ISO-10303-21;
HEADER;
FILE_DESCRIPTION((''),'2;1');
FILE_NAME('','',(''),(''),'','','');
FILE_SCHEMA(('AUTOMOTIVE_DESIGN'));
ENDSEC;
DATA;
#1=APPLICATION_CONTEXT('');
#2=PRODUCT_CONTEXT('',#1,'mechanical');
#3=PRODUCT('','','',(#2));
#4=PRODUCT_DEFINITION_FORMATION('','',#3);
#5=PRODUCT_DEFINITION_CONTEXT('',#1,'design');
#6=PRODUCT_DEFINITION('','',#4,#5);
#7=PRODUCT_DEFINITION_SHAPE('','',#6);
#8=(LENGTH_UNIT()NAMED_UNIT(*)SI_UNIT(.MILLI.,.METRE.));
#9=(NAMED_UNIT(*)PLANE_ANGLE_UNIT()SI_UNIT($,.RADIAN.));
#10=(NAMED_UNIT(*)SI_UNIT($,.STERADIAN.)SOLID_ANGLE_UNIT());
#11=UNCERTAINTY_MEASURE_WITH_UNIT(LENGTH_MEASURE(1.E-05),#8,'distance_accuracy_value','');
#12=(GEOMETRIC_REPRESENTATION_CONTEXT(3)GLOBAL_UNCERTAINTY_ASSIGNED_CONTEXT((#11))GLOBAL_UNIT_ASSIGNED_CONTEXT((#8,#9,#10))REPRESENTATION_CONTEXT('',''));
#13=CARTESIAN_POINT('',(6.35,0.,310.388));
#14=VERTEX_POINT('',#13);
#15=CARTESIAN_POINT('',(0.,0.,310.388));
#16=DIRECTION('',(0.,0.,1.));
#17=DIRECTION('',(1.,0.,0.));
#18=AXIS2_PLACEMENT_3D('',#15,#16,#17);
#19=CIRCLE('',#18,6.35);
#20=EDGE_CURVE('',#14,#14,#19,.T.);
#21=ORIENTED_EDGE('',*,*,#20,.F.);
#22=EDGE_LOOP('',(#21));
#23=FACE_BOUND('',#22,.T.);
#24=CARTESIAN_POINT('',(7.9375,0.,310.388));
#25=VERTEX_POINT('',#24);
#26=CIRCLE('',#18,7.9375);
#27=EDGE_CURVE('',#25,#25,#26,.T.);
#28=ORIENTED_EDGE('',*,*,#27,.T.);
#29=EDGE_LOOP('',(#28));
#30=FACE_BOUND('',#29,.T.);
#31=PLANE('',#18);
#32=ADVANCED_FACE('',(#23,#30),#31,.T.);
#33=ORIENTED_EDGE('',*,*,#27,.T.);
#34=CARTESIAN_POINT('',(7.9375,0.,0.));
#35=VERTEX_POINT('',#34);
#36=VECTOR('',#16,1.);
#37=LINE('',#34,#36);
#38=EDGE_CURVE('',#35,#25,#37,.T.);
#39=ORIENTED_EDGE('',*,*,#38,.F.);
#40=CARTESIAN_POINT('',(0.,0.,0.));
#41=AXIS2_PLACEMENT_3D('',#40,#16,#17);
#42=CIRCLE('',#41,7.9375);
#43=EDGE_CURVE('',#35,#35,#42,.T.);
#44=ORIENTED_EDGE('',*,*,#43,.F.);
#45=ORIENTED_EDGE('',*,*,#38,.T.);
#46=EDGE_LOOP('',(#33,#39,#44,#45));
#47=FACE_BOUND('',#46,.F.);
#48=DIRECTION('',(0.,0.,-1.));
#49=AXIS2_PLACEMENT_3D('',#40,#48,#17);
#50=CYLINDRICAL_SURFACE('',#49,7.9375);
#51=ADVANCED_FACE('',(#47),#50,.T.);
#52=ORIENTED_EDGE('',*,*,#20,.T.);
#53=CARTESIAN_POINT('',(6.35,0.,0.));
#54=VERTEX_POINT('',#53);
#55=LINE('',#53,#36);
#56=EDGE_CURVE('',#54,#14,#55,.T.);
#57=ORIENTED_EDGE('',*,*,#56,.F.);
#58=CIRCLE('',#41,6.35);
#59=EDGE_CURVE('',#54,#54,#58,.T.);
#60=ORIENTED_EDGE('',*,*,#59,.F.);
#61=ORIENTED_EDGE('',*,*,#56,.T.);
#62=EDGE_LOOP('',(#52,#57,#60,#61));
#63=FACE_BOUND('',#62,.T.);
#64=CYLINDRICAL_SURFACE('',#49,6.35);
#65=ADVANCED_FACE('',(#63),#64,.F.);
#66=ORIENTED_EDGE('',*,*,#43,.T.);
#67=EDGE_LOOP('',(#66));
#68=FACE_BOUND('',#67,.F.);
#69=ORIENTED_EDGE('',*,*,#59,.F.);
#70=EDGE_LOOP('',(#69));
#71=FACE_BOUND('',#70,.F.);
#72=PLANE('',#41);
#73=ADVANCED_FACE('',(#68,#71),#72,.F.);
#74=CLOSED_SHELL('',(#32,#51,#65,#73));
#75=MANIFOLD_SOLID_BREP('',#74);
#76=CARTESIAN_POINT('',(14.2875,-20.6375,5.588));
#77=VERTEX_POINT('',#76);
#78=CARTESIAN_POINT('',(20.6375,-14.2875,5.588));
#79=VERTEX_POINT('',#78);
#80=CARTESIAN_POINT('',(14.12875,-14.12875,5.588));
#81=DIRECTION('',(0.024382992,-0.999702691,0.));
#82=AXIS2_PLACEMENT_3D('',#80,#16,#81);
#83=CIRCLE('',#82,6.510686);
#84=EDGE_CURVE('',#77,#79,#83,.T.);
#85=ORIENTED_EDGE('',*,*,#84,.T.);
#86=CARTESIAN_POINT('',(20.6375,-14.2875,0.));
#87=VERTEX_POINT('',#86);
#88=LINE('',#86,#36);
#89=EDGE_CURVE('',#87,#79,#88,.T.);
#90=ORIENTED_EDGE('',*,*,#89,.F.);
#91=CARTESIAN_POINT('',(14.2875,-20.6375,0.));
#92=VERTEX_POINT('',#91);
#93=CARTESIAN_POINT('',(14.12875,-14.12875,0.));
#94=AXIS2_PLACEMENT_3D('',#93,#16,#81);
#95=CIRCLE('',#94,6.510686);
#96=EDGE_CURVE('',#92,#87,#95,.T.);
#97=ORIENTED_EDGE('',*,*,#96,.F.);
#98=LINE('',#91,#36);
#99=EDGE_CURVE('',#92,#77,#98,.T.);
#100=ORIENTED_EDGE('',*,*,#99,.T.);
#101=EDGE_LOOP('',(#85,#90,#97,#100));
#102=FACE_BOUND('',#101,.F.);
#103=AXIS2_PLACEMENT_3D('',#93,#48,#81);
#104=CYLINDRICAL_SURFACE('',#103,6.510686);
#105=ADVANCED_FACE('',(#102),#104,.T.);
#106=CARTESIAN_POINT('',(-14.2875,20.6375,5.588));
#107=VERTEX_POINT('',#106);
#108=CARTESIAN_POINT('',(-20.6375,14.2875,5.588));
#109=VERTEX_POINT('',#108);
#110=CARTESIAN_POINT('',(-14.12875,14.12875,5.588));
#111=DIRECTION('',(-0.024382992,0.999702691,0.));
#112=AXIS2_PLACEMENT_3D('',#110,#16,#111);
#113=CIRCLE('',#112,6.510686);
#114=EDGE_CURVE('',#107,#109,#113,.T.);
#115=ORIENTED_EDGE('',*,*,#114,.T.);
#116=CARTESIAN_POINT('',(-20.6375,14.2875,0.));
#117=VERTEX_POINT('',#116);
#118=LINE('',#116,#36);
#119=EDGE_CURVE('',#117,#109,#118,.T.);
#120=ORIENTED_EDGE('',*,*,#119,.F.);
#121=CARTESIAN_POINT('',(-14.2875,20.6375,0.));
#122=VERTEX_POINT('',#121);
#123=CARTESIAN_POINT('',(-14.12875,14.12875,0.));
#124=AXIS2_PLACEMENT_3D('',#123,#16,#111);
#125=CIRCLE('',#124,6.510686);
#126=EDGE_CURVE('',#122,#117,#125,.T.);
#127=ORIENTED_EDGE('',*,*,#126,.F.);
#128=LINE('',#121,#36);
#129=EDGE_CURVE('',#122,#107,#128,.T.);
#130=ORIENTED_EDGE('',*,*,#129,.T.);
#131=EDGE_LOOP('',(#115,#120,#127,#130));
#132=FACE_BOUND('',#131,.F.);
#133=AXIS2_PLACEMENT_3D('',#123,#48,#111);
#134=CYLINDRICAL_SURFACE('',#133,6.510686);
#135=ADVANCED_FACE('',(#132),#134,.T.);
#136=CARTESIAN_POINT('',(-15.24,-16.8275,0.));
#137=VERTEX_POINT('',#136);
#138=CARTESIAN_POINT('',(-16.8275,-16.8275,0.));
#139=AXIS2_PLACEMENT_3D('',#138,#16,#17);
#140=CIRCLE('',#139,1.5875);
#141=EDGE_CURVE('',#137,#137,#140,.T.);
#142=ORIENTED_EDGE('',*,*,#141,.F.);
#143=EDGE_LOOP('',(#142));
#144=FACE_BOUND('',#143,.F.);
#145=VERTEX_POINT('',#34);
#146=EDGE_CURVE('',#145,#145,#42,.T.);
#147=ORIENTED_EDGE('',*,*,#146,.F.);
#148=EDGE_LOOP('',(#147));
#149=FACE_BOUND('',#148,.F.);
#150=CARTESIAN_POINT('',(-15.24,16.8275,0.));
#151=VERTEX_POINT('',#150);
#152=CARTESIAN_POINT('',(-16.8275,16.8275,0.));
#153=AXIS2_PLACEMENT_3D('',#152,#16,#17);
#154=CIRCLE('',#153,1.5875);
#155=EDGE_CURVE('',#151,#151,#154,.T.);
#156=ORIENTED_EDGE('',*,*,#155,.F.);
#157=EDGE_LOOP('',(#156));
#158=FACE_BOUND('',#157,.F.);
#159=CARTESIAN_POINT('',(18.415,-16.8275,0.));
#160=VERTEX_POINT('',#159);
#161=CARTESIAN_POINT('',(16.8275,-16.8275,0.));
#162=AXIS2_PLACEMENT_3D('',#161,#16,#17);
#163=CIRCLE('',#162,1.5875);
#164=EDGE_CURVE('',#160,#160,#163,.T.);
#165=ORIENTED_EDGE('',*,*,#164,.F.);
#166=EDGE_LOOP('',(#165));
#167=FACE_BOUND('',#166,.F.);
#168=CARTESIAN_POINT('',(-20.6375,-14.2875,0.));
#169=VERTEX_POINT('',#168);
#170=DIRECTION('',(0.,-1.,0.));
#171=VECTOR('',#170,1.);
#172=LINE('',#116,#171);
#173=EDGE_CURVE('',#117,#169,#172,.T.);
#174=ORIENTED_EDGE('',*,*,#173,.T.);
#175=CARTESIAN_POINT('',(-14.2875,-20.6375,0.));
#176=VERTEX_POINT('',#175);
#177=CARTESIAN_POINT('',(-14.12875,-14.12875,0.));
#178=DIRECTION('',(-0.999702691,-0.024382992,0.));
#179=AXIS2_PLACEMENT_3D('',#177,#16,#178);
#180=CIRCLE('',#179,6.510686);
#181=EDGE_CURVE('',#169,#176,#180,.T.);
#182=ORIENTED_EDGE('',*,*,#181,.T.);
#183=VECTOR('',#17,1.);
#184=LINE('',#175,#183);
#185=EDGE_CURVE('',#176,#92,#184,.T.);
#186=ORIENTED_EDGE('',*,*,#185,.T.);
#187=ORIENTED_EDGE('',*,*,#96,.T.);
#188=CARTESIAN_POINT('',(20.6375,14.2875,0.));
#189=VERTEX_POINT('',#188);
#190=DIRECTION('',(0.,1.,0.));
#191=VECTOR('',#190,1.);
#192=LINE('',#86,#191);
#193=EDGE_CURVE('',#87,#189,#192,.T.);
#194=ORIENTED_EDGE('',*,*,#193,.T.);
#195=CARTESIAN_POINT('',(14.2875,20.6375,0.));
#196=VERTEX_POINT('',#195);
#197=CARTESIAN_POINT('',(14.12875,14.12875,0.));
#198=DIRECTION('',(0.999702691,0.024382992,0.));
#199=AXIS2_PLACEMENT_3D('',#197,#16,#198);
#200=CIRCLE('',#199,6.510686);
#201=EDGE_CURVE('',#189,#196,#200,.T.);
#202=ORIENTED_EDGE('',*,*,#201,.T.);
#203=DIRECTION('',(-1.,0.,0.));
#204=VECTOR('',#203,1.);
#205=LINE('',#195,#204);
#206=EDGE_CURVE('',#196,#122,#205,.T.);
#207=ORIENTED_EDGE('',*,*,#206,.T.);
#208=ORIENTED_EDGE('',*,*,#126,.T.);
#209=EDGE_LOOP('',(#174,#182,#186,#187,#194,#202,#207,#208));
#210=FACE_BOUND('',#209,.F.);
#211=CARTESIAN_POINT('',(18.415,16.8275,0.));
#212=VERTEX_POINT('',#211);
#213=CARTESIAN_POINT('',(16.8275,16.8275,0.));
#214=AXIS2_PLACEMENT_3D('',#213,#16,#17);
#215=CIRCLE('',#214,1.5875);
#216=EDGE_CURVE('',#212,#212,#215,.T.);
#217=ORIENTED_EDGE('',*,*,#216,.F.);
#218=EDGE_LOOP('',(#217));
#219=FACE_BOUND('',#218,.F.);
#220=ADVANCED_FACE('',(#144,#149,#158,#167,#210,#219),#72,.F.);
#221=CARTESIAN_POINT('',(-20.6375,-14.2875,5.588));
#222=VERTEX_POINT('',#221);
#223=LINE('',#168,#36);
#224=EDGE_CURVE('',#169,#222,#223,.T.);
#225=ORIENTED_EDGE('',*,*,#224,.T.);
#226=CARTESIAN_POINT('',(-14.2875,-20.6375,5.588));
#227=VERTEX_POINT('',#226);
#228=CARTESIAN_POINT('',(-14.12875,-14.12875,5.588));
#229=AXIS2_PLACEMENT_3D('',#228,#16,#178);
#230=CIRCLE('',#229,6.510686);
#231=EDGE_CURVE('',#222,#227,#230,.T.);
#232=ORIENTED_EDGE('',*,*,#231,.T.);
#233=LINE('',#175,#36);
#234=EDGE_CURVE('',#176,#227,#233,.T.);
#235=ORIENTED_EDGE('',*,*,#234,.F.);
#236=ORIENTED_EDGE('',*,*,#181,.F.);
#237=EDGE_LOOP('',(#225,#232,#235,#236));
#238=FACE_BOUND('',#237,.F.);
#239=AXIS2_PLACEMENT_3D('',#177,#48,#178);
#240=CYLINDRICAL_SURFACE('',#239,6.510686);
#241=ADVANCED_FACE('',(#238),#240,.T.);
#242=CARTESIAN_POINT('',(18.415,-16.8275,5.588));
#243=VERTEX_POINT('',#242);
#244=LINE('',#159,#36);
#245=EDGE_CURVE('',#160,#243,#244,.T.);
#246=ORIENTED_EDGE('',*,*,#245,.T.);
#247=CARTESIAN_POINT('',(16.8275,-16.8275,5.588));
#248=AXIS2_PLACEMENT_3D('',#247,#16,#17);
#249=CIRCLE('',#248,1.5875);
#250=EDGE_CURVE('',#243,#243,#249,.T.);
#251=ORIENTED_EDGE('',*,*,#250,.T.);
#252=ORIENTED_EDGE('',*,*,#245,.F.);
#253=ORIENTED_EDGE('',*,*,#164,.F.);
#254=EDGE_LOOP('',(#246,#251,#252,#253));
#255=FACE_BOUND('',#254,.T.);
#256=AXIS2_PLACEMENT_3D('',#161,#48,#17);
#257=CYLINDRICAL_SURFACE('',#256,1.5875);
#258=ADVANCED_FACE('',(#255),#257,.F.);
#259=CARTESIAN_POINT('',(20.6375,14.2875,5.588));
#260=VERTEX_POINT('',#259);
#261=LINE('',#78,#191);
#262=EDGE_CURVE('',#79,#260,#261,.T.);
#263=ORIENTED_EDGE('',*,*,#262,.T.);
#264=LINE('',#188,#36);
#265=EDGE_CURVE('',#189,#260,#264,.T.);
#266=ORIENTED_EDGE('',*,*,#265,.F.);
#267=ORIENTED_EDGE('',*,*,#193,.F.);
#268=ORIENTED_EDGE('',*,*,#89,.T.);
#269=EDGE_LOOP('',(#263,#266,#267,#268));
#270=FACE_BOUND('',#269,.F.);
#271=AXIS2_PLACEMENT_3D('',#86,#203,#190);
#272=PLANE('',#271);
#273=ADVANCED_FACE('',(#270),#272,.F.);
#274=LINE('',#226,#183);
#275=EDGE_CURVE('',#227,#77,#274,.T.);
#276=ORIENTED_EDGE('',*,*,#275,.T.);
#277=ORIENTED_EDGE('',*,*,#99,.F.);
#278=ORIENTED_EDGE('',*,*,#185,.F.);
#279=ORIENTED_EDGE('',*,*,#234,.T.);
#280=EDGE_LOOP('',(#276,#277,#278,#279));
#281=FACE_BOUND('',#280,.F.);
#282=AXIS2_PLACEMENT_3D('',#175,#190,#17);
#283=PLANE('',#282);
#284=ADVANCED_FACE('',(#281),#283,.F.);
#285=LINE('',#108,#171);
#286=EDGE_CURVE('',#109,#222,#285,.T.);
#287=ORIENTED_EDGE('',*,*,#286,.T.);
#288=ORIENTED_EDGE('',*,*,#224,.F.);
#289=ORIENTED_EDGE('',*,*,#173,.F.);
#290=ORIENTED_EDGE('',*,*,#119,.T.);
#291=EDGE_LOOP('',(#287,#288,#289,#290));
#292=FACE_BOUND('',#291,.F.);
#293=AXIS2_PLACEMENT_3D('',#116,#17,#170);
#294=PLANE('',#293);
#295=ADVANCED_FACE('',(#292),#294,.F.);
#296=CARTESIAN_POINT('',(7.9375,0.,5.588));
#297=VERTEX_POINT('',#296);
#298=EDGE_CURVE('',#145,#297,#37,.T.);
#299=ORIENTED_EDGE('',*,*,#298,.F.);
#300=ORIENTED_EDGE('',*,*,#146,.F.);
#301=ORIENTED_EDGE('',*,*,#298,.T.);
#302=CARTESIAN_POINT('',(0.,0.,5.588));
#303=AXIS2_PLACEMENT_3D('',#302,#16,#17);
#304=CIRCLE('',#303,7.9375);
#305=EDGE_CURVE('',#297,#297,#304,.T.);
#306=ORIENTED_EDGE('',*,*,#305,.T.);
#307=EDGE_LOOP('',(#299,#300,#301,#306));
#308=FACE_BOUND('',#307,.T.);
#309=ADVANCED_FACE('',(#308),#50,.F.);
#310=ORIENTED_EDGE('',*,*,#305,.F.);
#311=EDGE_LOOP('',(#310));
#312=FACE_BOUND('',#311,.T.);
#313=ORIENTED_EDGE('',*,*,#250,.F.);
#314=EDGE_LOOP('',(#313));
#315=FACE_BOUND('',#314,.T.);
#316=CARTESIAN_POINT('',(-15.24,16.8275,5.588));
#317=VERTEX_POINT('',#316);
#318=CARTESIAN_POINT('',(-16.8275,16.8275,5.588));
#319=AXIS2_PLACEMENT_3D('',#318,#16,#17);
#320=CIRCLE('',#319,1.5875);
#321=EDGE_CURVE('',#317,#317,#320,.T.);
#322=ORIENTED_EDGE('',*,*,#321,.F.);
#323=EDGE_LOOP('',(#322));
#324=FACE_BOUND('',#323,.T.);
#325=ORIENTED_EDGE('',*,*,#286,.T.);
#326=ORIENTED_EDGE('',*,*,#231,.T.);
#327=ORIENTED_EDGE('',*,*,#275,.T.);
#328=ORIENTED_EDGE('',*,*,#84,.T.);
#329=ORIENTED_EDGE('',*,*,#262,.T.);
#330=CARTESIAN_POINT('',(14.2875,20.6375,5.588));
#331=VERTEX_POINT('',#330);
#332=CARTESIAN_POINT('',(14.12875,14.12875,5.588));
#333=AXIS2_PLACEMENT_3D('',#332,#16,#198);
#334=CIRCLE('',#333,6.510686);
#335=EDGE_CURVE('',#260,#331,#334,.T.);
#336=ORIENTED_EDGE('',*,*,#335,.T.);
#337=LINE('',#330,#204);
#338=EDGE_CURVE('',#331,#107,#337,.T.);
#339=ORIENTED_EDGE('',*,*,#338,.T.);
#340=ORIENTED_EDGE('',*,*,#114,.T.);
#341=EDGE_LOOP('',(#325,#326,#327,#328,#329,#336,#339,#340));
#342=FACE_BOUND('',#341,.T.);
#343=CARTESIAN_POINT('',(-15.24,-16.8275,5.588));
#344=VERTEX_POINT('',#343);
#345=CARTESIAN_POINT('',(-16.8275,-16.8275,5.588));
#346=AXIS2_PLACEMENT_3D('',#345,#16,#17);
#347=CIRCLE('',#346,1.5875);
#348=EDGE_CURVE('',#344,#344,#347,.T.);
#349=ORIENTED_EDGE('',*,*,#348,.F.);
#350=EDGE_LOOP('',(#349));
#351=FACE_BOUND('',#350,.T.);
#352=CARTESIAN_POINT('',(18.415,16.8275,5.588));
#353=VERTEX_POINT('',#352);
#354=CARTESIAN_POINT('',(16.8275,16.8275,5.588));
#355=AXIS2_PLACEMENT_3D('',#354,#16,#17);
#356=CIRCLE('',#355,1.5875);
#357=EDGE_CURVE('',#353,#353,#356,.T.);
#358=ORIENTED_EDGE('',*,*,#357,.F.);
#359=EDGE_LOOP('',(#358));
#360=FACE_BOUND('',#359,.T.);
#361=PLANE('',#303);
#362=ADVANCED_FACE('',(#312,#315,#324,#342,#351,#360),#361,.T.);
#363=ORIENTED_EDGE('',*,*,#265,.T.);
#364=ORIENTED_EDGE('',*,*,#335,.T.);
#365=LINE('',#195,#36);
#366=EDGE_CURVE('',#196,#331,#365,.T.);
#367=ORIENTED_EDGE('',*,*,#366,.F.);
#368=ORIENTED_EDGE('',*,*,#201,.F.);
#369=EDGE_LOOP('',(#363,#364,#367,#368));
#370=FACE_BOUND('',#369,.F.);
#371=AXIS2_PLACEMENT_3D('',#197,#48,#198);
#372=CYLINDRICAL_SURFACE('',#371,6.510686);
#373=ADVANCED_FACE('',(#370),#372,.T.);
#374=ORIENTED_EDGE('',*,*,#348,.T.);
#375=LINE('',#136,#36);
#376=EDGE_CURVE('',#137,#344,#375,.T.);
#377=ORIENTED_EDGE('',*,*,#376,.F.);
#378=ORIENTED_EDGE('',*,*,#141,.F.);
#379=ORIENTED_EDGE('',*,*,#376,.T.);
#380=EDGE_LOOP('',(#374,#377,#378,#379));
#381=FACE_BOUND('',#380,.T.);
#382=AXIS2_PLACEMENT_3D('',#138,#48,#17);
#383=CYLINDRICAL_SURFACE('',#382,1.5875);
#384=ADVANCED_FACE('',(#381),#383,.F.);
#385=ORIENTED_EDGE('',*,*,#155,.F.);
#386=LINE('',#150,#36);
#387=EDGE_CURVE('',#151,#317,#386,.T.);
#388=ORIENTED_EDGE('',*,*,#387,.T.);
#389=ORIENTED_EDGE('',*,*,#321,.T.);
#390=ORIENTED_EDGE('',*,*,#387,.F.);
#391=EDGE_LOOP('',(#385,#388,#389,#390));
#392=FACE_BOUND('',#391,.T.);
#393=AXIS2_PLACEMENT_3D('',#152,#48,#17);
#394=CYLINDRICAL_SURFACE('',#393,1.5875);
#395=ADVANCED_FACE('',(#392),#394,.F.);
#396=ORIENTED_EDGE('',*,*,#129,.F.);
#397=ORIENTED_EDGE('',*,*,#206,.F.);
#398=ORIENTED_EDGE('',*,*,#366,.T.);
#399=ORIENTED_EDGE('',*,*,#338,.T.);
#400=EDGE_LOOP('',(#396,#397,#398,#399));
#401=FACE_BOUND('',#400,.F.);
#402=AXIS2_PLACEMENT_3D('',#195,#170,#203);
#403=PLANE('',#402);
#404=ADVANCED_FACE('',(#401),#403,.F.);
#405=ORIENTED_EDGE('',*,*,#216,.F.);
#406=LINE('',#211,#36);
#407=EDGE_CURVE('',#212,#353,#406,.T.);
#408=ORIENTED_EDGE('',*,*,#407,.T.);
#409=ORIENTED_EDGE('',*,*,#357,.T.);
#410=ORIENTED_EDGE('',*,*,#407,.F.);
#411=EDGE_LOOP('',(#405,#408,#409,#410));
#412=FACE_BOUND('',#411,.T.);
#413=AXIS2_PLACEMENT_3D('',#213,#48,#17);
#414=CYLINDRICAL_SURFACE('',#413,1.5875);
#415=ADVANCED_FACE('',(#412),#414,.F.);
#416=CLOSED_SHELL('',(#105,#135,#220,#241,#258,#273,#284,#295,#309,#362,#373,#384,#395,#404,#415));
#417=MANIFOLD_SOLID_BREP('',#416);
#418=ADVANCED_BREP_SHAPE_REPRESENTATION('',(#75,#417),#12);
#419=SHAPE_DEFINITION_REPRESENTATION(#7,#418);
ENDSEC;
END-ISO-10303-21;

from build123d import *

# Parameters (mm, degrees)
F0_R     = 1.5875
F0_R_2   = 7.9375
F1_DEPTH = 5.588
F0_R_3   = 6.35
F2_DEPTH = 310.388


with BuildPart() as f1:
    # F0 (on Top) → F1 (new body)
    with BuildSketch(Plane.XY):
        with BuildLine():
            Line((14.2875, 20.6375), (-14.2875, 20.6375))
            ThreePointArc((-14.2875, 20.6375), (-18.7325, 18.7325), (-20.6375, 14.2875))
            Line((-20.6375, 14.2875), (-20.6375, -14.2875))
            ThreePointArc((-20.6375, -14.2875), (-18.7325, -18.7325), (-14.2875, -20.6375))
            Line((-14.2875, -20.6375), (14.2875, -20.6375))
            ThreePointArc((14.2875, -20.6375), (18.7325, -18.7325), (20.6375, -14.2875))
            Line((20.6375, -14.2875), (20.6375, 14.2875))
            ThreePointArc((20.6375, 14.2875), (18.7325, 18.7325), (14.2875, 20.6375))
        make_face()
        with Locations((-16.8275, -16.8275)):
            Circle(F0_R, mode=Mode.SUBTRACT)
        with Locations((16.8275, -16.8275)):
            Circle(F0_R, mode=Mode.SUBTRACT)
        with Locations((-16.8275, 16.8275)):
            Circle(F0_R, mode=Mode.SUBTRACT)
        Circle(F0_R_2, mode=Mode.SUBTRACT)
        with Locations((16.8275, 16.8275)):
            Circle(F0_R, mode=Mode.SUBTRACT)
    extrude(amount=F1_DEPTH)


with BuildPart() as f2:
    # F0 (on Top) → F2 (new body)
    with BuildSketch(Plane.XY):
        Circle(F0_R_2)
        Circle(F0_R_3, mode=Mode.SUBTRACT)
    extrude(amount=F2_DEPTH)


solid = Compound([f1.part, f2.part])
